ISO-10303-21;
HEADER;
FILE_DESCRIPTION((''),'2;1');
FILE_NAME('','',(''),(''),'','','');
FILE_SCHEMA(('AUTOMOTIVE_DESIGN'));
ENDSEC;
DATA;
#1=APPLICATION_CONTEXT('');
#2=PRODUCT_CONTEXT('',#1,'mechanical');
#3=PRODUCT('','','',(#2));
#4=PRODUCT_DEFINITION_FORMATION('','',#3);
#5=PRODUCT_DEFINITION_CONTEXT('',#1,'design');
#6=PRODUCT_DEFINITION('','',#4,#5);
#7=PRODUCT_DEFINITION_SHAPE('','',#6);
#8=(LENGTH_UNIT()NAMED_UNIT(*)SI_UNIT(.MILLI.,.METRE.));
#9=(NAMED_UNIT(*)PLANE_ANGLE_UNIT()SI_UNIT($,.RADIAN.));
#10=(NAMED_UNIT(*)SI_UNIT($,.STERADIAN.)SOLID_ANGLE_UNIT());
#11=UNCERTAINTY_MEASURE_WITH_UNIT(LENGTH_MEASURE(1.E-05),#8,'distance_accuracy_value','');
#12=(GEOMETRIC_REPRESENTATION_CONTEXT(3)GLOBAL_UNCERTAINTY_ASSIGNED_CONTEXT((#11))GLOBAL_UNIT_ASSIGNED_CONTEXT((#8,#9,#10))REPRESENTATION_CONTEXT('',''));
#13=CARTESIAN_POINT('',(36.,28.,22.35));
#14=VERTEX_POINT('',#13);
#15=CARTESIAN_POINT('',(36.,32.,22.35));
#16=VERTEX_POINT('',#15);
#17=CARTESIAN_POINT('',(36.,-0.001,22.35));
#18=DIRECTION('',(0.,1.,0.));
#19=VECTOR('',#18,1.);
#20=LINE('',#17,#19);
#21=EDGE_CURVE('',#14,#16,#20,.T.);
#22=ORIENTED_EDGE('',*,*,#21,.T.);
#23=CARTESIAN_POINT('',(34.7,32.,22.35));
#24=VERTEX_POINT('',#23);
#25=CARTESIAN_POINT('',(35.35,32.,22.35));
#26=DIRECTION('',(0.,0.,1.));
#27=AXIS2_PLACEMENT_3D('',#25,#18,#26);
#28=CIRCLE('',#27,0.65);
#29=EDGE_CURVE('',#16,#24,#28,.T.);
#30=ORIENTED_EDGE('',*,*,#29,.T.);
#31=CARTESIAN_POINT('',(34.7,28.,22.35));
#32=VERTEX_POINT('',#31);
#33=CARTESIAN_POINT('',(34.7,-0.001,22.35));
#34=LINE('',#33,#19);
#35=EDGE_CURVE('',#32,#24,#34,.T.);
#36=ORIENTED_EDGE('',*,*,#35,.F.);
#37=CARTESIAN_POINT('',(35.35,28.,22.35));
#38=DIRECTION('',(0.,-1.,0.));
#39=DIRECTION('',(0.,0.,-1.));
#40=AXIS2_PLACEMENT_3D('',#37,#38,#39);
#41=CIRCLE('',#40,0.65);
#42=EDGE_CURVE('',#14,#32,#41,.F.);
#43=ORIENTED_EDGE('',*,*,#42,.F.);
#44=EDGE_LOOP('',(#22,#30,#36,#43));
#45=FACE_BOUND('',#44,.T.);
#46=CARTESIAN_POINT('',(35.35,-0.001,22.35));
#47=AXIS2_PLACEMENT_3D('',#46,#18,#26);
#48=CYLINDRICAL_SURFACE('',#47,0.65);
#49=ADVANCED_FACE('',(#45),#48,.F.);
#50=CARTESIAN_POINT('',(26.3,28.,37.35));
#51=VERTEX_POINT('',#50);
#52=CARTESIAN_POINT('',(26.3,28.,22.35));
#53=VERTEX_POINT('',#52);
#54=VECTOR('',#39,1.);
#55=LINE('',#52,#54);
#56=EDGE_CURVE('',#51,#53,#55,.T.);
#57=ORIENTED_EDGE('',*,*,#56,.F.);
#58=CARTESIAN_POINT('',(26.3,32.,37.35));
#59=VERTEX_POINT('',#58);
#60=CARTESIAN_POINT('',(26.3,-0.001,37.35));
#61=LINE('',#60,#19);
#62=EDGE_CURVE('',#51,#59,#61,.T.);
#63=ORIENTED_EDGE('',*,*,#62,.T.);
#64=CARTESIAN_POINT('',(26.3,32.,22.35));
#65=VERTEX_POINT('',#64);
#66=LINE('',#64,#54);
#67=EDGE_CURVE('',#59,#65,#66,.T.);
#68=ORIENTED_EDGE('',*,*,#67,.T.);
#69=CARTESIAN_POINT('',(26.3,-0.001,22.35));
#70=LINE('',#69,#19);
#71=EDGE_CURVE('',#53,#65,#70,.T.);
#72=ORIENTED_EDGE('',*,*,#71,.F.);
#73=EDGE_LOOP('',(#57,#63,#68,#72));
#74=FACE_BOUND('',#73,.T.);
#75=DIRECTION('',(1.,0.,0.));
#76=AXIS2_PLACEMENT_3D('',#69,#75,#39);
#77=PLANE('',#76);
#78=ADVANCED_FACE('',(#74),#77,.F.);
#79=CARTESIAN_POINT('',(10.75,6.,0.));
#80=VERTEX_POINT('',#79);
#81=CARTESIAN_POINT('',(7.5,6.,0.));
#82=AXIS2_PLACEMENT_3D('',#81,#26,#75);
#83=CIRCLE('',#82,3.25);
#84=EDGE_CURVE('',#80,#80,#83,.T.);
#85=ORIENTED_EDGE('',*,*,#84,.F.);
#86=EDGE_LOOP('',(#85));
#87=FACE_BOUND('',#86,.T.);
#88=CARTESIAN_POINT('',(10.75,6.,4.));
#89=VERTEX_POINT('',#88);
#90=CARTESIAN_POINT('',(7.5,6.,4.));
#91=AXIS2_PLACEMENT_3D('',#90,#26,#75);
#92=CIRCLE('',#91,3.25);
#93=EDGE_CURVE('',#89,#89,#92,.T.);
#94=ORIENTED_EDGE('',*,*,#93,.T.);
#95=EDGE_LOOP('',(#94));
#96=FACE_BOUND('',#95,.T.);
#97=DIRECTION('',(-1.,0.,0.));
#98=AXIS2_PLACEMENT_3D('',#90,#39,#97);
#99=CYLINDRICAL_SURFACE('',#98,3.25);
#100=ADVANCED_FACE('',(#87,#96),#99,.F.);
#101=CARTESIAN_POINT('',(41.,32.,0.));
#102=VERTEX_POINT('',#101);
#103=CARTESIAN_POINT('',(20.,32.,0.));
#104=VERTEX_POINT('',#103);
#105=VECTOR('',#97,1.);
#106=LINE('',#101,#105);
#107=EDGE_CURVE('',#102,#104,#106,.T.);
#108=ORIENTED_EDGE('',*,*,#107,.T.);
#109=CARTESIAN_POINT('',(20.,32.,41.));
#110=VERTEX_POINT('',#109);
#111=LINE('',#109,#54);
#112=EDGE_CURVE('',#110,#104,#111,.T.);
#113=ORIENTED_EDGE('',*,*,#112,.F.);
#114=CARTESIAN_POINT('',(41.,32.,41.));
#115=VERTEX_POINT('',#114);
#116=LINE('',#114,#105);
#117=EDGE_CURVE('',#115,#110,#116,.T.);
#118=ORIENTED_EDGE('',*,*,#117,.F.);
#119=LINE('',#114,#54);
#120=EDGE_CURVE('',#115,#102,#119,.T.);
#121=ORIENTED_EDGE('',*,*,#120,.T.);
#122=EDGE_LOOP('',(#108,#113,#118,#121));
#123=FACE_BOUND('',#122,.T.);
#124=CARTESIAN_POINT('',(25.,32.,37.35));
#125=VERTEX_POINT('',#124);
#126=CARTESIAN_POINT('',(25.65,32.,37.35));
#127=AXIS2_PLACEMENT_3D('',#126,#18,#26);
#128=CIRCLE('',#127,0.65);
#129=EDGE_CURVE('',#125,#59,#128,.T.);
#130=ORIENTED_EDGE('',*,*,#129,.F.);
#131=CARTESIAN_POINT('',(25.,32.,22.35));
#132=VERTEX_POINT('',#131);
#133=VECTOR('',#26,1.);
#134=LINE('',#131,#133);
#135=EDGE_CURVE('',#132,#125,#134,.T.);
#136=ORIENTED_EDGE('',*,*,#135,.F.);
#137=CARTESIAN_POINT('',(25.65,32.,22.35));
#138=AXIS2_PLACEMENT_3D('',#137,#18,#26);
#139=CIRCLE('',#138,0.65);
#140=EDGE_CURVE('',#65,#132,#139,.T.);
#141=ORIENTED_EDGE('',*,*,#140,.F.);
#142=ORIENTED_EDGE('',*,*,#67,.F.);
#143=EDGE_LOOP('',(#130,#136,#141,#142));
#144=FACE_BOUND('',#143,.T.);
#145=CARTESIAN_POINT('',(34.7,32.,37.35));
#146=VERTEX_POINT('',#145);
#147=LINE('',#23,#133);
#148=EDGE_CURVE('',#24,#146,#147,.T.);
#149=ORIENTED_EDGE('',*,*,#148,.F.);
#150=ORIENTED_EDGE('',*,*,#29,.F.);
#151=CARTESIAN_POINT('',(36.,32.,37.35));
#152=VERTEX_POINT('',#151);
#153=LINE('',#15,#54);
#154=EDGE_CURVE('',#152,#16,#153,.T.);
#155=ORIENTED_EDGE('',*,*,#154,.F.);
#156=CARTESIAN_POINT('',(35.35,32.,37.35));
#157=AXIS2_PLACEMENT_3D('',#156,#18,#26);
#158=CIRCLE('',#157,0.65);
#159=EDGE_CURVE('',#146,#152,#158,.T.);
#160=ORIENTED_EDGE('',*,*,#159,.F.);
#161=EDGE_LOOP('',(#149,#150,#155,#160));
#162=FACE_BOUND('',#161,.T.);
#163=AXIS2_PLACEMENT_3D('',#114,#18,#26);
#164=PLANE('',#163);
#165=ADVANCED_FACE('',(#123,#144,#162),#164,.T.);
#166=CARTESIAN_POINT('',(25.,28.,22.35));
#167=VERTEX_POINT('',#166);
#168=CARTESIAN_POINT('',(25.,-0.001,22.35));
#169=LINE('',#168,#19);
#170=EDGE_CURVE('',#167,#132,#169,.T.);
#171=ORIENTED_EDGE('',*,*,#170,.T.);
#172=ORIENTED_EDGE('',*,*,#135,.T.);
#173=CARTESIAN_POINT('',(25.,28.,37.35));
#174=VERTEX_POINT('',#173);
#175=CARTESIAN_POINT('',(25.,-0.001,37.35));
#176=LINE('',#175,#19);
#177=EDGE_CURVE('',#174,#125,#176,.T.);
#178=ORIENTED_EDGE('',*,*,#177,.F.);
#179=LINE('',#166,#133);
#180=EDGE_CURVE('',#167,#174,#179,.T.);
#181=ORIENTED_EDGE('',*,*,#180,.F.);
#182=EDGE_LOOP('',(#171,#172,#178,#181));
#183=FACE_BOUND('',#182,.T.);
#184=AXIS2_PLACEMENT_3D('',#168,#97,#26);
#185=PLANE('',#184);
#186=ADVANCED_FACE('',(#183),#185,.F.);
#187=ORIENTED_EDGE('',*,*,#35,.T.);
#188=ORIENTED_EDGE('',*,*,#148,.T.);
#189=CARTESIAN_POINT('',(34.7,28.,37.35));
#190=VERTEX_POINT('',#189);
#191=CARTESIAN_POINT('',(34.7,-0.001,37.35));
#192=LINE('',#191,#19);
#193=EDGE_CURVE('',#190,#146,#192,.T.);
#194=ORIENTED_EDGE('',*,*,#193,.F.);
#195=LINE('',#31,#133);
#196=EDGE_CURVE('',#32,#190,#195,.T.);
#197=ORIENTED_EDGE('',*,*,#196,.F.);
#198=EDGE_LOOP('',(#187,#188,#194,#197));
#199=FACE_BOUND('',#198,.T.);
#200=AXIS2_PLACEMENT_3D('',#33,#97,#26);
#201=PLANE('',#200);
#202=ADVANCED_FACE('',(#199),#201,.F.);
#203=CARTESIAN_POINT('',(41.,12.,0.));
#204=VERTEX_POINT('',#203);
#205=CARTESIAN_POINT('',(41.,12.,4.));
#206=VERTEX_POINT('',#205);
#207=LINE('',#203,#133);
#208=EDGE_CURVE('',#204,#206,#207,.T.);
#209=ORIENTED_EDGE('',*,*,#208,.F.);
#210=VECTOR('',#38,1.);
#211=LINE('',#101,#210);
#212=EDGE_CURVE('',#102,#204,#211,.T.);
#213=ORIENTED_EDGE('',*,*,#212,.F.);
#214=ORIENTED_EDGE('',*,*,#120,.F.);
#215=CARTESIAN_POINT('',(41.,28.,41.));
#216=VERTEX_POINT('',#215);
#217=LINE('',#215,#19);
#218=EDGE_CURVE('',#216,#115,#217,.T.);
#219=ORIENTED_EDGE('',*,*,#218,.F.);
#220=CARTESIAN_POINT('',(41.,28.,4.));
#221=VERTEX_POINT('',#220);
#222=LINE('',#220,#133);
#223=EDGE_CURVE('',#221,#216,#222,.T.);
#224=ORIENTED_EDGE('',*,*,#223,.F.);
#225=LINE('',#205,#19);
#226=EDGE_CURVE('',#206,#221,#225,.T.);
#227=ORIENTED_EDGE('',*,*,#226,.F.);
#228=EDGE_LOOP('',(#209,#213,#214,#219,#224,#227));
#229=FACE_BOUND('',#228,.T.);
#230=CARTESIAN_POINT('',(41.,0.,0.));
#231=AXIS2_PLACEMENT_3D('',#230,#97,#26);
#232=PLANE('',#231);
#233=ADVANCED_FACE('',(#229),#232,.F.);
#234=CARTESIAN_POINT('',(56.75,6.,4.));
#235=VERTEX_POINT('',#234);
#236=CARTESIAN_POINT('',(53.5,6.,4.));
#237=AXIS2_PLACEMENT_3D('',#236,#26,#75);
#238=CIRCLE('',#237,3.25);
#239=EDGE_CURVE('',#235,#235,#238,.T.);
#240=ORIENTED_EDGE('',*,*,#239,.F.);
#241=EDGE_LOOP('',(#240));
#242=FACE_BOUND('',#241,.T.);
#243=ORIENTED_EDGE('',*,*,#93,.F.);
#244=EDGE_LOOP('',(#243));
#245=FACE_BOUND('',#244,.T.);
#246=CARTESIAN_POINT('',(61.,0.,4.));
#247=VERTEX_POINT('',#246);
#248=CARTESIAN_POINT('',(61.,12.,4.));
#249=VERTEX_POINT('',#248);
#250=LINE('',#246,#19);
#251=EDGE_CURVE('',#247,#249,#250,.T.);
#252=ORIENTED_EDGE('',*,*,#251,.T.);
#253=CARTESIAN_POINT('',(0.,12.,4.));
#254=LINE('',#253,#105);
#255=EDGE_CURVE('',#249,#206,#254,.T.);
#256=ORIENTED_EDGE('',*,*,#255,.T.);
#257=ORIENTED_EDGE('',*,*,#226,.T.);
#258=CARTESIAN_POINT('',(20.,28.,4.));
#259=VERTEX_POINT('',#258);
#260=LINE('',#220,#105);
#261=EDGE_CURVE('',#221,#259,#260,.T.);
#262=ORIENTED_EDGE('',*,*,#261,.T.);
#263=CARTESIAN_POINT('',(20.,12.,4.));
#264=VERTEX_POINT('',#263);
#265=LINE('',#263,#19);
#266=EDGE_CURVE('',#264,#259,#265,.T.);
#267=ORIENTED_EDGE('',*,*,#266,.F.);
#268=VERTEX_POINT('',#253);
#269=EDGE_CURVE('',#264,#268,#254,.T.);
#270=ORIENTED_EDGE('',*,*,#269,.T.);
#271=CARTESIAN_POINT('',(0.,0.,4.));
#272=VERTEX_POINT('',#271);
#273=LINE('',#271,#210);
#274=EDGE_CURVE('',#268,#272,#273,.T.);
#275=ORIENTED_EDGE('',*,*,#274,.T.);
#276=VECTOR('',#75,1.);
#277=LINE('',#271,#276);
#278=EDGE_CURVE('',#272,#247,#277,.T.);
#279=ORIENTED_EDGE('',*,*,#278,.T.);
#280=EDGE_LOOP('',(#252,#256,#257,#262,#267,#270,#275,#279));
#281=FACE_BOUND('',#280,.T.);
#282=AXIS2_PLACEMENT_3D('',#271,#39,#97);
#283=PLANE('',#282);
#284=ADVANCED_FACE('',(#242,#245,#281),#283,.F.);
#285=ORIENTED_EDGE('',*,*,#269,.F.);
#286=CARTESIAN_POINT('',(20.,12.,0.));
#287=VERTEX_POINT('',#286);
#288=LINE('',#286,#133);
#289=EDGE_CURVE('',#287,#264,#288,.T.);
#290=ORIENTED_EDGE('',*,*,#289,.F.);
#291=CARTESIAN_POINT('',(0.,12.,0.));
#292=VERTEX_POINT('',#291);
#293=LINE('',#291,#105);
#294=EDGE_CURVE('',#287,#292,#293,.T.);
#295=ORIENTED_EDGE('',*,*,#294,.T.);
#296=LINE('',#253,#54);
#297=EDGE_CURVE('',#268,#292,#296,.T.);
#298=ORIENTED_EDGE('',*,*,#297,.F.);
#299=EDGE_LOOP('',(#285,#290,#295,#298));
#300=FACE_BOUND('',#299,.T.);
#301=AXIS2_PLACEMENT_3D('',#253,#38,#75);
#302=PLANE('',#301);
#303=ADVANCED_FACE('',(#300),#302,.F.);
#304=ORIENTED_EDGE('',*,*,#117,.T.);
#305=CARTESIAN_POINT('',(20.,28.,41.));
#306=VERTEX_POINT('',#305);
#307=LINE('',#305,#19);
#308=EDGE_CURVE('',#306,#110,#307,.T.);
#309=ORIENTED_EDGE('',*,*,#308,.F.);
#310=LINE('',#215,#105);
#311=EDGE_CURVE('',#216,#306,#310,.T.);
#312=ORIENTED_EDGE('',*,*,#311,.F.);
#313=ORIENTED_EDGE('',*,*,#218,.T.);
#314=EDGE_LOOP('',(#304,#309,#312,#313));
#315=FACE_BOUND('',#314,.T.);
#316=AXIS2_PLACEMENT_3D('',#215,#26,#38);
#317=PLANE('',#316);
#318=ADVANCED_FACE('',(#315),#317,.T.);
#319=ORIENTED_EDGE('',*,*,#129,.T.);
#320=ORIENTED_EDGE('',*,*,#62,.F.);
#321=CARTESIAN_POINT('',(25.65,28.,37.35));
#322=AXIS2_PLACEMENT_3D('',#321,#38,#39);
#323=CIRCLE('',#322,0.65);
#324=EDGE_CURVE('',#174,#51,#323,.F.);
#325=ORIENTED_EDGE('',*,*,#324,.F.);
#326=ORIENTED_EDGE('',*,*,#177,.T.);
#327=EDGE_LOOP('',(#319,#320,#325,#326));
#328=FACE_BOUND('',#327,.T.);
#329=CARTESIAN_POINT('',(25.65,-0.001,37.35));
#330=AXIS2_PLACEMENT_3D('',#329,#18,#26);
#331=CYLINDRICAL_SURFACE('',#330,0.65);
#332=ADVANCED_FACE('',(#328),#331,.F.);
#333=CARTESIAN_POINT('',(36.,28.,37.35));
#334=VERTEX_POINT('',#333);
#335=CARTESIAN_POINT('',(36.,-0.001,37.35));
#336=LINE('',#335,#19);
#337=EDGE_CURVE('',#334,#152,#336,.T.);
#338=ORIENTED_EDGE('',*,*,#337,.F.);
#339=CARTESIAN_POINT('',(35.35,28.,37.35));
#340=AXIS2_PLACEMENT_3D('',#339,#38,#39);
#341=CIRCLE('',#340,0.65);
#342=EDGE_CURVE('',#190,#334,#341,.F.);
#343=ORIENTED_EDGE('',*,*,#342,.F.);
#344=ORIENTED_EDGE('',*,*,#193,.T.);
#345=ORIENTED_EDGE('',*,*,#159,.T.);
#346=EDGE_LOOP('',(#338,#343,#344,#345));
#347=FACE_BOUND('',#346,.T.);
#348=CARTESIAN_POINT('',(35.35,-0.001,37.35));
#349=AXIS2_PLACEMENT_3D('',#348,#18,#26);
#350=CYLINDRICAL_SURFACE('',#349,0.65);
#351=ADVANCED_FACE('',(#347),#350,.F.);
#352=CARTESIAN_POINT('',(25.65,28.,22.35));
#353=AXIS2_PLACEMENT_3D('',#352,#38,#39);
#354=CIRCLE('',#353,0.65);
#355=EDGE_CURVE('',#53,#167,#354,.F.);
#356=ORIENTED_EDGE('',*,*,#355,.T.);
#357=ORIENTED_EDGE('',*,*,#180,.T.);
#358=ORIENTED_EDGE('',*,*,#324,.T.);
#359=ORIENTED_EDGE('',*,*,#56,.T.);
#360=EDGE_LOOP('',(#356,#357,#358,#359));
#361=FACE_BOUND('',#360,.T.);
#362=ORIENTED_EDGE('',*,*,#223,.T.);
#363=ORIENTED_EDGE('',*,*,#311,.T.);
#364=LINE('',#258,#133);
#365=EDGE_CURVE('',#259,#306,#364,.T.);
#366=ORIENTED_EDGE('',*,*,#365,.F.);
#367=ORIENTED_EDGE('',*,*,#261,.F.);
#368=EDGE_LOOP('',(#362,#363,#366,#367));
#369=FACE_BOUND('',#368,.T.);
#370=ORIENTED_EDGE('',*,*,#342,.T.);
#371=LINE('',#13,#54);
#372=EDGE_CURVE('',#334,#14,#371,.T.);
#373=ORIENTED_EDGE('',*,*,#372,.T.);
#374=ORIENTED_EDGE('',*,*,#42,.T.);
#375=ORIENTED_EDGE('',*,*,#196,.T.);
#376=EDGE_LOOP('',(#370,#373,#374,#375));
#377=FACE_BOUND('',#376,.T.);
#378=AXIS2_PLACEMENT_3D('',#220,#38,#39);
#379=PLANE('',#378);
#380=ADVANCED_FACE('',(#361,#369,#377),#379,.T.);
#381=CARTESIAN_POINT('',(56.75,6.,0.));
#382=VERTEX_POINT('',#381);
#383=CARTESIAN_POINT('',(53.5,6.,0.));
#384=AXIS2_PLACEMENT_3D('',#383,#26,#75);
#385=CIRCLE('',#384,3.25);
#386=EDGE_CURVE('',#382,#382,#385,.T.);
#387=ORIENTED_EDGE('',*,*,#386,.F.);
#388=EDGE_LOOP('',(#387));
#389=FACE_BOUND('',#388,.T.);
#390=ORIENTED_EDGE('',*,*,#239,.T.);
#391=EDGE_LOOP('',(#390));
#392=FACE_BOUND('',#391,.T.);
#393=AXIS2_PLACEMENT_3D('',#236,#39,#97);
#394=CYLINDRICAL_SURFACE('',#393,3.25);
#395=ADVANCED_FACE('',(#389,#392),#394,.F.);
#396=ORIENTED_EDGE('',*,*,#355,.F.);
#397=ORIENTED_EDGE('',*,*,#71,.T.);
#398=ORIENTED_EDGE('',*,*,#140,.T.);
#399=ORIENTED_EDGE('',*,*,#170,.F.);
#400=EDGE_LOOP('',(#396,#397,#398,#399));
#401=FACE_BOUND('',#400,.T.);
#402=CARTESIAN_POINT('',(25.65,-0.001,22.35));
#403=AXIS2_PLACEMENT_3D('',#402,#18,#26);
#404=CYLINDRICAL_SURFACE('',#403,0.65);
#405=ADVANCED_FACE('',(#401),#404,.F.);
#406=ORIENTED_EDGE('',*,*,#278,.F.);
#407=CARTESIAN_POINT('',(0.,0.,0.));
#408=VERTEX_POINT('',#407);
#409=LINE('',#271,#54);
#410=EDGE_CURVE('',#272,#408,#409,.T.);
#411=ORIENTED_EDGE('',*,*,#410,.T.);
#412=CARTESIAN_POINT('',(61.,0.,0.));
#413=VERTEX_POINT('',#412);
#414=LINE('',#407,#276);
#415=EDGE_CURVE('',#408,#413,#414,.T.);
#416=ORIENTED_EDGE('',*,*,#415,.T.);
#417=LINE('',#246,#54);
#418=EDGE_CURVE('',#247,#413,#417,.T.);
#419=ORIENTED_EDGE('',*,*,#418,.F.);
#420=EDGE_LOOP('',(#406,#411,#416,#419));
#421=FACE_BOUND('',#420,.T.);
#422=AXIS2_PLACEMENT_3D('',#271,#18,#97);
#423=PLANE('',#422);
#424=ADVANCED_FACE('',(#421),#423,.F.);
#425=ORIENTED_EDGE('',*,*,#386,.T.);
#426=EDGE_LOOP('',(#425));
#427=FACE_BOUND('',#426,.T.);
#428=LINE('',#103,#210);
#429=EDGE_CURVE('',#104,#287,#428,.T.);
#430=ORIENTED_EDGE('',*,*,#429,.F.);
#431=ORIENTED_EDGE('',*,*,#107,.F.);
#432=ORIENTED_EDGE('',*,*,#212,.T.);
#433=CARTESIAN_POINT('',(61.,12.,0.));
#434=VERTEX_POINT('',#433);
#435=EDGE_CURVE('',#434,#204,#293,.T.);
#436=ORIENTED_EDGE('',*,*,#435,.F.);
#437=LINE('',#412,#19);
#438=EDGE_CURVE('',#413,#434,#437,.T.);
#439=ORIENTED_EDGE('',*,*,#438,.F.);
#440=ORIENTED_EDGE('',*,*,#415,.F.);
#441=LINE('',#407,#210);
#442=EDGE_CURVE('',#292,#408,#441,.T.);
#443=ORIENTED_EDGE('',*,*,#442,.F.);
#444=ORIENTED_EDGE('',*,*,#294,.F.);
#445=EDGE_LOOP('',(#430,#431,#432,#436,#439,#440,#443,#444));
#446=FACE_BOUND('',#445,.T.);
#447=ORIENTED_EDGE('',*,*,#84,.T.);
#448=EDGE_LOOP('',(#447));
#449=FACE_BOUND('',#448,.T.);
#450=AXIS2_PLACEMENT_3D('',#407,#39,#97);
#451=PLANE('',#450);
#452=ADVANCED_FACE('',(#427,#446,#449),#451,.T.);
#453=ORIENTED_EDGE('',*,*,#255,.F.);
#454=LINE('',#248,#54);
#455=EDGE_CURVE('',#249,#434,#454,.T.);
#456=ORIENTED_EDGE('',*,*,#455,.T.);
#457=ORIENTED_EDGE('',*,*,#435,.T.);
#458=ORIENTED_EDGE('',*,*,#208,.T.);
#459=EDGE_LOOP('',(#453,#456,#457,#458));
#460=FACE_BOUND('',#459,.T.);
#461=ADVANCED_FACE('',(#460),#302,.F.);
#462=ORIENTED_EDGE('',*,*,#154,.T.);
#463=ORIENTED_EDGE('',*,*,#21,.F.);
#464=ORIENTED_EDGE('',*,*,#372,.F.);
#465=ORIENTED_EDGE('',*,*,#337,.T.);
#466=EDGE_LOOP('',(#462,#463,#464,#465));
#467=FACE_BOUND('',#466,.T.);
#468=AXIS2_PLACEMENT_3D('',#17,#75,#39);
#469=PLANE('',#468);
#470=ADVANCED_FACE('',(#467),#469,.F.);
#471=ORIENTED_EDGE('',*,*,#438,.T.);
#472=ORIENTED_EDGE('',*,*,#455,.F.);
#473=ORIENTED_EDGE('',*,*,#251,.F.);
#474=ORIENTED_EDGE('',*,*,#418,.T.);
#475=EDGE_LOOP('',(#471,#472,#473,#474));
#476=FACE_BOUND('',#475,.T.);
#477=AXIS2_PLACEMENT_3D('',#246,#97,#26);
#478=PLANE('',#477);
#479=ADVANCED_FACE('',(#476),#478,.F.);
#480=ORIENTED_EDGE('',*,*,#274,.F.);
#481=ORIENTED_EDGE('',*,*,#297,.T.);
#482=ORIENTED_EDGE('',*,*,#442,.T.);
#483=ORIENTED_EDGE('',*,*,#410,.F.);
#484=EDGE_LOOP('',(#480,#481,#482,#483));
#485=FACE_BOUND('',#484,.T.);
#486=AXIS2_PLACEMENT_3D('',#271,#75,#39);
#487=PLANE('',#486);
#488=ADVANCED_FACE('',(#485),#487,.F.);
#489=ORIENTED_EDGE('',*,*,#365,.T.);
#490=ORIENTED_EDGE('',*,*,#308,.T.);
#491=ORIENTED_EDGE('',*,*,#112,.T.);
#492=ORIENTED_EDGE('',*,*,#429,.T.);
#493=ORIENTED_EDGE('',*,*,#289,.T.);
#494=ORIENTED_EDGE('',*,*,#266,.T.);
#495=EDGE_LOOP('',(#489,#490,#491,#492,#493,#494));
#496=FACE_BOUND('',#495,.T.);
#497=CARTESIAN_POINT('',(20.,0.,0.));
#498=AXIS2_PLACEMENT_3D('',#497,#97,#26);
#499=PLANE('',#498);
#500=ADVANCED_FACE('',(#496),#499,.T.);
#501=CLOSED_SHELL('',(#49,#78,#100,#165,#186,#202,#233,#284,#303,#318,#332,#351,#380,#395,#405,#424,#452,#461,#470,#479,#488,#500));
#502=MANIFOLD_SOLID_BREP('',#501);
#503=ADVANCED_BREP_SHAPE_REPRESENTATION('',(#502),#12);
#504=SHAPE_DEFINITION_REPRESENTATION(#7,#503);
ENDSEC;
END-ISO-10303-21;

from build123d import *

# Parameters (mm, degrees)
SKETCH1_W           = 61
SKETCH1_H           = 12
SKETCH1_R           = 3.25
BOSS_EXTRUDE1_DEPTH = 4
BOSS_EXTRUDE2_START = -20
BOSS_EXTRUDE2_DEPTH = 21
CUT_EXTRUDE1_REACH  = 82.162


with BuildPart() as part:
    # Sketch1 → Boss-Extrude1 (new body)
    with BuildSketch(Plane.XY):
        with Locations((30.5, 6)):
            Rectangle(SKETCH1_W, SKETCH1_H)
        with Locations((7.5, 6)):
            Circle(SKETCH1_R, mode=Mode.SUBTRACT)
        with Locations((53.5, 6)):
            Circle(SKETCH1_R, mode=Mode.SUBTRACT)
    extrude(amount=BOSS_EXTRUDE1_DEPTH)

    # Sketch3 → Boss-Extrude2 (add)
    with BuildSketch(Plane.ZY.offset(BOSS_EXTRUDE2_START)):
        Polygon((4, 12), (4, 28), (41, 28), (41, 32), (0, 32), (0, 12), align=None)
    extrude(amount=-BOSS_EXTRUDE2_DEPTH)

    # Sketch4 → Cut-Extrude1 (cut, up to next)
    with BuildSketch(Plane(origin=(0, 32, 0), x_dir=(1, 0, 0), z_dir=(0, 1, 0)), mode=Mode.PRIVATE) as cut_extrude1_sk1:
        with BuildLine():
            Line((36, -22.35), (36, -37.35))
            ThreePointArc((36, -37.35), (35.35, -38), (34.7, -37.35))
            Line((34.7, -37.35), (34.7, -22.35))
            ThreePointArc((34.7, -22.35), (35.35, -21.7), (36, -22.35))
        make_face()
    cut_extrude1_tool1 = extrude(cut_extrude1_sk1.sketch, amount=-CUT_EXTRUDE1_REACH, mode=Mode.PRIVATE) & part.part
    # Sketch4 → Cut-Extrude1 (cut, up to next)
    with BuildSketch(Plane(origin=(0, 32, 0), x_dir=(1, 0, 0), z_dir=(0, 1, 0)), mode=Mode.PRIVATE) as cut_extrude1_sk2:
        with BuildLine():
            Line((26.3, -22.35), (26.3, -37.35))
            ThreePointArc((26.3, -37.35), (25.65, -38), (25, -37.35))
            Line((25, -37.35), (25, -22.35))
            ThreePointArc((25, -22.35), (25.65, -21.7), (26.3, -22.35))
        make_face()
    cut_extrude1_tool2 = extrude(cut_extrude1_sk2.sketch, amount=-CUT_EXTRUDE1_REACH, mode=Mode.PRIVATE) & part.part
    add(cut_extrude1_tool1.solids().sort_by_distance((35.35, 32, 29.85))[0], mode=Mode.SUBTRACT)
    add(cut_extrude1_tool2.solids().sort_by_distance((25.65, 32, 29.85))[0], mode=Mode.SUBTRACT)


solid = part.part
